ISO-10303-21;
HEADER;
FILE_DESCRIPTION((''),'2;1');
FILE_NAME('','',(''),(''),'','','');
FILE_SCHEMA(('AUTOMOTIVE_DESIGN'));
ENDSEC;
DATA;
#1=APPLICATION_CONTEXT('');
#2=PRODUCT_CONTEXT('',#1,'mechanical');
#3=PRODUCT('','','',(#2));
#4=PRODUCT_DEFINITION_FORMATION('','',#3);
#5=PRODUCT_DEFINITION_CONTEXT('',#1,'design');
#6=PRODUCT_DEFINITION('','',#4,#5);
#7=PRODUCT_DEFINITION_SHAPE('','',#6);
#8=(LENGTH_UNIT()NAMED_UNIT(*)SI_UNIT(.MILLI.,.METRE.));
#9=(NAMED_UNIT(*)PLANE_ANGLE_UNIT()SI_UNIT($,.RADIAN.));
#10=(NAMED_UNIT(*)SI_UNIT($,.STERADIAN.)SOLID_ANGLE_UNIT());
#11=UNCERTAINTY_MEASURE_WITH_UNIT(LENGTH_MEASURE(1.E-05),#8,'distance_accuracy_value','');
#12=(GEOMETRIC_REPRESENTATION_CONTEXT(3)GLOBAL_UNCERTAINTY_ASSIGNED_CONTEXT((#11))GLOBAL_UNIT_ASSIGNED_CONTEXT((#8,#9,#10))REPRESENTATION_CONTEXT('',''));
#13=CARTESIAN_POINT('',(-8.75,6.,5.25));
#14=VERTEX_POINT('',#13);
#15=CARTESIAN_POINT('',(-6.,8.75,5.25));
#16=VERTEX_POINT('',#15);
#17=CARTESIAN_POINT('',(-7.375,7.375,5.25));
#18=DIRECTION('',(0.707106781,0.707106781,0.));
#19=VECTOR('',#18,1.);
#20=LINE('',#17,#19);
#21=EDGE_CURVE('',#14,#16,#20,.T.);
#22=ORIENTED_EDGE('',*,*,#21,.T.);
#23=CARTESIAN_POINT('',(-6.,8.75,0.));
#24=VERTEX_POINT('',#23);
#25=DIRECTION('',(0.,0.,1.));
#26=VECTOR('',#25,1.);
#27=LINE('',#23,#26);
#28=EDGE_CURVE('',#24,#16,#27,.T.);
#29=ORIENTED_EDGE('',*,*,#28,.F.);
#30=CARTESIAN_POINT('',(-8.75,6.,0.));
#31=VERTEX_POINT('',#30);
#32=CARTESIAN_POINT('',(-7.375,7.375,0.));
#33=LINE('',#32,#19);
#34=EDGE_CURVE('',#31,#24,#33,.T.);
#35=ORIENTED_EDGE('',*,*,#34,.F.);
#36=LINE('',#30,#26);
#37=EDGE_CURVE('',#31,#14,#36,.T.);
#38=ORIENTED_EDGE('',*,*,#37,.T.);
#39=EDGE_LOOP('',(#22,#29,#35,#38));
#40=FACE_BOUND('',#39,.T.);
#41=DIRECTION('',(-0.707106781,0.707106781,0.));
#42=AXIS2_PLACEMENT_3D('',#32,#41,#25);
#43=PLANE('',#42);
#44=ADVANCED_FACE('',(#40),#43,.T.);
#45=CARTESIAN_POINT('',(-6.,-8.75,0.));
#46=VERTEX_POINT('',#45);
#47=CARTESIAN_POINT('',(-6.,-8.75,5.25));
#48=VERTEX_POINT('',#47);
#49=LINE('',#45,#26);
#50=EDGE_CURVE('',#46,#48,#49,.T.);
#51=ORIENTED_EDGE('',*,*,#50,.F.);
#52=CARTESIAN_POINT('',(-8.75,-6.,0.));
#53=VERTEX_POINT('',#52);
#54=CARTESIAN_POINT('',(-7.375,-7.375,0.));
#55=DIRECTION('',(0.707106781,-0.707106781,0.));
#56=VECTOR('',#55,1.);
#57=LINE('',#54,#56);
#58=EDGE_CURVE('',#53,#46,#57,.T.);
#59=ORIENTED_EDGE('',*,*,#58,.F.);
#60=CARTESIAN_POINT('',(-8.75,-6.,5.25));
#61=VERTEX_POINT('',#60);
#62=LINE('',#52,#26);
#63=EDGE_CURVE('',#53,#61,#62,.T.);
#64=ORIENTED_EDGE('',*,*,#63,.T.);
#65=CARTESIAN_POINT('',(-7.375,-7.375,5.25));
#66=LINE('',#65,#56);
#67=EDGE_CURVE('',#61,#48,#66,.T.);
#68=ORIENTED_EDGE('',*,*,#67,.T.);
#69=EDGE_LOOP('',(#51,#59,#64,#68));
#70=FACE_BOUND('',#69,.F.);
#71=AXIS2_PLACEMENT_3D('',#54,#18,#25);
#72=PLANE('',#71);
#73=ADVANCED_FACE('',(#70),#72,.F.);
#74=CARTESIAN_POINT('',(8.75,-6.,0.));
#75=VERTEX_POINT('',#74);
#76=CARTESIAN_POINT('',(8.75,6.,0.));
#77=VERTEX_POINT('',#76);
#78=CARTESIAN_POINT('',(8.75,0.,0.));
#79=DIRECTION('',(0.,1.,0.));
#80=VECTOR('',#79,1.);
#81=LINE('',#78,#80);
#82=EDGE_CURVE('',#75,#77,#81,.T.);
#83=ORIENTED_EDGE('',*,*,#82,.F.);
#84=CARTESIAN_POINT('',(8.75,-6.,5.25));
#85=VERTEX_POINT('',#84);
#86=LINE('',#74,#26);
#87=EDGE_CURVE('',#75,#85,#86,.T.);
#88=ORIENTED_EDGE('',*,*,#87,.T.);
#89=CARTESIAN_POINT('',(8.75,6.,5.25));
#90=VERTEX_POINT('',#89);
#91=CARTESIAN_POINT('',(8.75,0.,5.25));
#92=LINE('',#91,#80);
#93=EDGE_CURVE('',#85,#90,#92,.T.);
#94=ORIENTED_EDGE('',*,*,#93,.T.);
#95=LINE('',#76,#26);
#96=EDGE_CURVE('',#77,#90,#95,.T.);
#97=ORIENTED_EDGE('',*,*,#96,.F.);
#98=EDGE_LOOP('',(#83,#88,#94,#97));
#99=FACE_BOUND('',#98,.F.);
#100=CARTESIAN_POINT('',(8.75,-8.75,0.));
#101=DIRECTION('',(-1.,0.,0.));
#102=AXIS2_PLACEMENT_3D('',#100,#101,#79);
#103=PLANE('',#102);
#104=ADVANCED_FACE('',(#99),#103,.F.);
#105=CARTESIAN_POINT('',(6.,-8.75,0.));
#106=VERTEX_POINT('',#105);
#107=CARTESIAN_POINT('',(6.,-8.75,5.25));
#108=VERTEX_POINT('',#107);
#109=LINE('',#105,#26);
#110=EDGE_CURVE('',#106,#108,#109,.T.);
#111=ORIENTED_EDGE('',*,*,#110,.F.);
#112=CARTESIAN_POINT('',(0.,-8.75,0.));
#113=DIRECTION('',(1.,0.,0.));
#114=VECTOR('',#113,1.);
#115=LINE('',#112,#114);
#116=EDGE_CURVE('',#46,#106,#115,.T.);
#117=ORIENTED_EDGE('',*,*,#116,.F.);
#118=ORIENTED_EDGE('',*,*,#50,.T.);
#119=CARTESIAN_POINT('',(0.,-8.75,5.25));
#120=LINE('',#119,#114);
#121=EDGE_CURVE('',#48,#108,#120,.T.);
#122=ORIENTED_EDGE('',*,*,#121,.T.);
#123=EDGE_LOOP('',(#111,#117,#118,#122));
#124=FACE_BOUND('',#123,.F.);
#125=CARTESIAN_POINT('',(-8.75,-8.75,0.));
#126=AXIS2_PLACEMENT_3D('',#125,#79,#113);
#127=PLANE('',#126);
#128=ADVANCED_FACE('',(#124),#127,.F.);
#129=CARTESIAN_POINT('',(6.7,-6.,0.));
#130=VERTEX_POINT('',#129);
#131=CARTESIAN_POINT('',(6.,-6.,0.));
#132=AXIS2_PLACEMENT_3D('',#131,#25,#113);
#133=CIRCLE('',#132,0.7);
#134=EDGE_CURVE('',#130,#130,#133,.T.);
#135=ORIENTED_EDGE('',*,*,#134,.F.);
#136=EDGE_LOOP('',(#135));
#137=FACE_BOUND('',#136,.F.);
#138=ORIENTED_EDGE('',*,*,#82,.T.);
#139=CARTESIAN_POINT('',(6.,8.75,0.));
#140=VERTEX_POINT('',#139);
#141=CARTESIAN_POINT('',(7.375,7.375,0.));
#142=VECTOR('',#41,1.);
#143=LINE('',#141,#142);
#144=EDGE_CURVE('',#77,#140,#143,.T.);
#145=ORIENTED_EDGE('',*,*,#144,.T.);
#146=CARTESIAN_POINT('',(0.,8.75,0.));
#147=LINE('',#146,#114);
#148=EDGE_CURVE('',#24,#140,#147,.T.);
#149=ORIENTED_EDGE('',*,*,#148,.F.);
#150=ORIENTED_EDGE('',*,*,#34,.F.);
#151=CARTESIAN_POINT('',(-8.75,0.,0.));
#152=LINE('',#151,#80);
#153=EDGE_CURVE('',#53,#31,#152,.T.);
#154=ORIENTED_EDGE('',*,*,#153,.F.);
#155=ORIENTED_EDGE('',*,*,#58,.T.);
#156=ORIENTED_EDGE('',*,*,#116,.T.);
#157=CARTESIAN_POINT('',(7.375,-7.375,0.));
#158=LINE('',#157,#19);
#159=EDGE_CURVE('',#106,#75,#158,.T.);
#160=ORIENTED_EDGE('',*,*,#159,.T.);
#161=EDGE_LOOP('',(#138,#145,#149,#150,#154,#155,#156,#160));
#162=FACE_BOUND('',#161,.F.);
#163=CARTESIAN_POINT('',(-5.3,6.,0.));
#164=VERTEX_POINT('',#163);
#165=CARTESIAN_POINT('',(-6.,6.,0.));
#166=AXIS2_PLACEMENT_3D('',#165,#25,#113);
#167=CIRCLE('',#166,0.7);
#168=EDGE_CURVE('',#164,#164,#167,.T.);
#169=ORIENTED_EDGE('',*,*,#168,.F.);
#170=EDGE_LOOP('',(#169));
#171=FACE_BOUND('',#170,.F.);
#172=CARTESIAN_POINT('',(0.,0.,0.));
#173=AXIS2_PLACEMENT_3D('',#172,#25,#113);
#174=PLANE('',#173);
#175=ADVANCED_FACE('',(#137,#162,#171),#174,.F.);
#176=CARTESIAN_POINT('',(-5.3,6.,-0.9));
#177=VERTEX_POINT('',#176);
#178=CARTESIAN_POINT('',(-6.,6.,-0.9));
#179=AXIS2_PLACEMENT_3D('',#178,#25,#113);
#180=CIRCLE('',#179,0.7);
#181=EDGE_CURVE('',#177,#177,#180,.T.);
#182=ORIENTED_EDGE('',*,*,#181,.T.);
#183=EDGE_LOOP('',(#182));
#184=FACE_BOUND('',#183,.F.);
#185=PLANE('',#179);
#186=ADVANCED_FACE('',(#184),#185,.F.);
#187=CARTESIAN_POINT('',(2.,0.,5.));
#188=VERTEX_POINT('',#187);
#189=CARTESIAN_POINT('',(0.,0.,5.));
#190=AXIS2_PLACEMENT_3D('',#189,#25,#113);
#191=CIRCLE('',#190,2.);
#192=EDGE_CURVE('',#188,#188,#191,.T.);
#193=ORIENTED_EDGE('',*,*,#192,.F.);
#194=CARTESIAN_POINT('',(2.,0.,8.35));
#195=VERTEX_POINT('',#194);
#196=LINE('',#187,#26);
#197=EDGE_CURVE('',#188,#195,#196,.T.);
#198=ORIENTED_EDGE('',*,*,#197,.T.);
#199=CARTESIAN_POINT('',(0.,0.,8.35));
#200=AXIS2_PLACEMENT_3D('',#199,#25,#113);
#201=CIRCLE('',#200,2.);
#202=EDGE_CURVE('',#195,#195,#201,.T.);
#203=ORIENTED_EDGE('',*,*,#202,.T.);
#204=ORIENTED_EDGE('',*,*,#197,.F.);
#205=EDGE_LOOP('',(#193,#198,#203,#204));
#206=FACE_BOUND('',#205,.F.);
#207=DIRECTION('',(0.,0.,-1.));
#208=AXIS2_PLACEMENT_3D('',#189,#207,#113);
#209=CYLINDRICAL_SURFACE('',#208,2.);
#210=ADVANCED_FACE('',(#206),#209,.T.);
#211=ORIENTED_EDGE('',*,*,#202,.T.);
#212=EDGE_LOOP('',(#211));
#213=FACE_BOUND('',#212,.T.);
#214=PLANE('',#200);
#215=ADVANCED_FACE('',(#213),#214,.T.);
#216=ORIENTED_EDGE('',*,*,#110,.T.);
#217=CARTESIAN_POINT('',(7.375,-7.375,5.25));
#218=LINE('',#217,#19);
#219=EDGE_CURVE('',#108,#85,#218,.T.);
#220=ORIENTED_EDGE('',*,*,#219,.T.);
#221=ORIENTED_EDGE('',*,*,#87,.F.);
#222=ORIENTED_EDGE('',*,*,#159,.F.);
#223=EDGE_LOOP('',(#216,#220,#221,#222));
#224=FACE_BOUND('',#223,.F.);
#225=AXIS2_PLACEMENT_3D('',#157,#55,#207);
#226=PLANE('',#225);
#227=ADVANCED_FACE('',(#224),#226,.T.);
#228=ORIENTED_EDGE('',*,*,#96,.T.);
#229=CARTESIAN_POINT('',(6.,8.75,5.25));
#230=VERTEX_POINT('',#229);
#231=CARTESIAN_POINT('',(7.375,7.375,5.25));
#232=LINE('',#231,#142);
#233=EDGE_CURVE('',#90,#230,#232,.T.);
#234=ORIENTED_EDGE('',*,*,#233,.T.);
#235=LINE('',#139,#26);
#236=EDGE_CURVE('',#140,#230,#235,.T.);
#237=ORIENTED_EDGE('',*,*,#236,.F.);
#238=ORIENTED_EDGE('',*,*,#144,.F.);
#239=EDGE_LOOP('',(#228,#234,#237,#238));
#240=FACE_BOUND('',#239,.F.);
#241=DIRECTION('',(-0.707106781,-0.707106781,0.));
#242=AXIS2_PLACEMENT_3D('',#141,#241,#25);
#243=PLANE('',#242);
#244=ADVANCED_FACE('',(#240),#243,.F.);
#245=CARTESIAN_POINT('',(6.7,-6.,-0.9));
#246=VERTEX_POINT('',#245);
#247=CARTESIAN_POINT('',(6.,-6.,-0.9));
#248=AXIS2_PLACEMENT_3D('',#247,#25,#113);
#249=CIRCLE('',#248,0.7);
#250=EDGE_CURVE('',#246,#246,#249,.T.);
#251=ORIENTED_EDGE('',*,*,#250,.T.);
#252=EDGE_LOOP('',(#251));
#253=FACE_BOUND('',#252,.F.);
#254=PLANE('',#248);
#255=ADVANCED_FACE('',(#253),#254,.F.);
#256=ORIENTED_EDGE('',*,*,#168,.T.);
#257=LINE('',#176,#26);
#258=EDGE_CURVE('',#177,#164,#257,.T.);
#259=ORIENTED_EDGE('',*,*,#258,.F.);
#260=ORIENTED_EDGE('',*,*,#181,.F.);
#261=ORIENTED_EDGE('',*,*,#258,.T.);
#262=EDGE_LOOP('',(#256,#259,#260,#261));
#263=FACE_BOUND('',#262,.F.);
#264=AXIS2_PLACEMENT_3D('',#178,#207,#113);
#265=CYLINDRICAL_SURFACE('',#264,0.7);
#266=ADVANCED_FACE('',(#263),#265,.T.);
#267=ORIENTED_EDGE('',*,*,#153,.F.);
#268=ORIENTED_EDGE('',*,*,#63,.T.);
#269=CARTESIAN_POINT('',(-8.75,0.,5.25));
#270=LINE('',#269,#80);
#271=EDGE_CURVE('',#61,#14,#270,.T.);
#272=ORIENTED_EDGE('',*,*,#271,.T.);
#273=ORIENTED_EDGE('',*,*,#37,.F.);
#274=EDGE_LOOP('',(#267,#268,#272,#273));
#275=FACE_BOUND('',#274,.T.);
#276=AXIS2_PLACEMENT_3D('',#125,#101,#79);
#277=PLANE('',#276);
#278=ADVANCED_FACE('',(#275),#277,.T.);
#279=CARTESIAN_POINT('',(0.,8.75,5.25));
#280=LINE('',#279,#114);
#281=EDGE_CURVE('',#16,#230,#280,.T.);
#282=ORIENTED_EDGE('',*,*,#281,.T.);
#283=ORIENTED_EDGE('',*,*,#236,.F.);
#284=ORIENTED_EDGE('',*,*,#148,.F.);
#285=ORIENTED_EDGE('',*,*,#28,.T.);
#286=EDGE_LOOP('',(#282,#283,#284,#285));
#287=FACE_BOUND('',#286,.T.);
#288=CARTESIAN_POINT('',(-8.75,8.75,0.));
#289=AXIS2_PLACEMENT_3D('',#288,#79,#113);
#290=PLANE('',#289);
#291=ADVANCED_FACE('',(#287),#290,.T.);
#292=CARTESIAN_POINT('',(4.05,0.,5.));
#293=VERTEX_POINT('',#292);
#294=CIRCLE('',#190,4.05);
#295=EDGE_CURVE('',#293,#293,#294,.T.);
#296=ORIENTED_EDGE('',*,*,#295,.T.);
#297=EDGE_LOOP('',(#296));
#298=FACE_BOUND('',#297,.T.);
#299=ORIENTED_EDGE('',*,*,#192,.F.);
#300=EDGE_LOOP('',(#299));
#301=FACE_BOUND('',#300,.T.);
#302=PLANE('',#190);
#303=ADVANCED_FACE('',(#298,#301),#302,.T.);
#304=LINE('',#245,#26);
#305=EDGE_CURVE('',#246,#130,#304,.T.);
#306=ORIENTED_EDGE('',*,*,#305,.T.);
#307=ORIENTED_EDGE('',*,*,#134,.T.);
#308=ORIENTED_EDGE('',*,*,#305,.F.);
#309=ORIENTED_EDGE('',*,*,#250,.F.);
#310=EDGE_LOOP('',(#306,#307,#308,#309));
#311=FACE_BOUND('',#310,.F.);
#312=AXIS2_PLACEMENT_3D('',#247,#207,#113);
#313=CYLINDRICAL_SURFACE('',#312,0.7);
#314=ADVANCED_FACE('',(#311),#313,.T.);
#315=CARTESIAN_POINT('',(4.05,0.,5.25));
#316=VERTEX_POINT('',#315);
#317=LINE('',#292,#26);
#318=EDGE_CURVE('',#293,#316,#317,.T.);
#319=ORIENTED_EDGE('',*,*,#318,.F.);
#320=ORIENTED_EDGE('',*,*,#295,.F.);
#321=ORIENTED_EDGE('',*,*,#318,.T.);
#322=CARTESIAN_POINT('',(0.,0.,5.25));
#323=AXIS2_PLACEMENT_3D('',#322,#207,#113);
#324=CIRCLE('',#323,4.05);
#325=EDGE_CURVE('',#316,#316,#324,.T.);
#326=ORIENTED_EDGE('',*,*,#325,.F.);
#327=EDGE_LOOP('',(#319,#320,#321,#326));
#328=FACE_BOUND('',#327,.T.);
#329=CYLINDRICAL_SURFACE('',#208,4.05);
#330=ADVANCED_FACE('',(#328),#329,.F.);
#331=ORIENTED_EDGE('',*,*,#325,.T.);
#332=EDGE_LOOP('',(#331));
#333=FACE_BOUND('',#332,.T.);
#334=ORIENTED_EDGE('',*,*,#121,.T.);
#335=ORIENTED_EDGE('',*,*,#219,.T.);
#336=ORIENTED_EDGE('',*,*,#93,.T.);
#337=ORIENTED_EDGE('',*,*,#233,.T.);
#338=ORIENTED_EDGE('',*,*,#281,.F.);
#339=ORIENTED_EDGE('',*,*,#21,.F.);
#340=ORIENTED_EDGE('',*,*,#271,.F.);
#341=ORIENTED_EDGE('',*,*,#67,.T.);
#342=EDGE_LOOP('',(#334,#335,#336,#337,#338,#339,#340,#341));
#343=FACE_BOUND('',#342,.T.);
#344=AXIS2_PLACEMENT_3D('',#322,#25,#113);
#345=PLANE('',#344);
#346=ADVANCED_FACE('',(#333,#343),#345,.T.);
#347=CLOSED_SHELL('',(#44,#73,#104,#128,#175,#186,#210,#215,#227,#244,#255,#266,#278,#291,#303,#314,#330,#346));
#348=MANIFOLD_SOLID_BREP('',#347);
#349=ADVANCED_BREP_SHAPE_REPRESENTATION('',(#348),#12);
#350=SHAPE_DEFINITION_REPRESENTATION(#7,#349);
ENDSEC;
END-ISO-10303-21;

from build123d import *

# Parameters (mm, degrees)
CYLINDER003_R     = 0.7
CYLINDER003_DEPTH = 0.9
CYLINDER002_R     = 0.7
CYLINDER002_DEPTH = 0.9
CYLINDER001_R     = 2
CYLINDER001_DEPTH = 3.35
CYLINDER_R        = 4.05
CYLINDER_DEPTH    = 2
BOX_W             = 17.5
BOX_H             = 17.5
BOX_DEPTH         = 5.25
CHAMFER_SIZE      = 2.75


with BuildPart() as jt8p_leg2:
    # Cylinder003 → Cylinder003 (new body)
    with BuildSketch(Plane(origin=(6, -6, -0.9), x_dir=(1, 0, 0), z_dir=(0, 0, 1))):
        Circle(CYLINDER003_R)
    extrude(amount=CYLINDER003_DEPTH)


with BuildPart() as jt8p_leg1:
    # Cylinder002 → Cylinder002 (new body)
    with BuildSketch(Plane(origin=(-6, 6, -0.9), x_dir=(1, 0, 0), z_dir=(0, 0, 1))):
        Circle(CYLINDER002_R)
    extrude(amount=CYLINDER002_DEPTH)


with BuildPart() as jt8p_knob:
    # Cylinder001 → Cylinder001 (new body)
    with BuildSketch(Plane.XY.offset(5)):
        Circle(CYLINDER001_R)
    extrude(amount=CYLINDER001_DEPTH)


with BuildPart() as jt8p_tophole:
    # Cylinder → Cylinder (new body)
    with BuildSketch(Plane.XY.offset(5)):
        Circle(CYLINDER_R)
    extrude(amount=CYLINDER_DEPTH)


with BuildPart() as jt8p_body:
    # Box → Box (new body)
    with BuildSketch(Plane(origin=(-8.75, -8.75, 0), x_dir=(1, 0, 0), z_dir=(0, 0, 1))):
        with Locations((8.75, 8.75)):
            Rectangle(BOX_W, BOX_H)
    extrude(amount=BOX_DEPTH)

    # Chamfer
    chamfer_edges = [jt8p_body.edges().sort_by_distance(p)[0] for p in [
        (-8.75, -8.75, 2.625),
        (-8.75, 8.75, 2.625),
        (8.75, -8.75, 2.625),
        (8.75, 8.75, 2.625),
    ]]
    chamfer(chamfer_edges, length=CHAMFER_SIZE)

    # Cut: cut JT8P_TopHole
    add(jt8p_tophole.part, mode=Mode.SUBTRACT)

    # Fusion010: union JT8P_Leg2, JT8P_Leg1, JT8P_knob
    add(jt8p_leg2.part)
    add(jt8p_leg1.part)
    add(jt8p_knob.part)


solid = jt8p_body.part
